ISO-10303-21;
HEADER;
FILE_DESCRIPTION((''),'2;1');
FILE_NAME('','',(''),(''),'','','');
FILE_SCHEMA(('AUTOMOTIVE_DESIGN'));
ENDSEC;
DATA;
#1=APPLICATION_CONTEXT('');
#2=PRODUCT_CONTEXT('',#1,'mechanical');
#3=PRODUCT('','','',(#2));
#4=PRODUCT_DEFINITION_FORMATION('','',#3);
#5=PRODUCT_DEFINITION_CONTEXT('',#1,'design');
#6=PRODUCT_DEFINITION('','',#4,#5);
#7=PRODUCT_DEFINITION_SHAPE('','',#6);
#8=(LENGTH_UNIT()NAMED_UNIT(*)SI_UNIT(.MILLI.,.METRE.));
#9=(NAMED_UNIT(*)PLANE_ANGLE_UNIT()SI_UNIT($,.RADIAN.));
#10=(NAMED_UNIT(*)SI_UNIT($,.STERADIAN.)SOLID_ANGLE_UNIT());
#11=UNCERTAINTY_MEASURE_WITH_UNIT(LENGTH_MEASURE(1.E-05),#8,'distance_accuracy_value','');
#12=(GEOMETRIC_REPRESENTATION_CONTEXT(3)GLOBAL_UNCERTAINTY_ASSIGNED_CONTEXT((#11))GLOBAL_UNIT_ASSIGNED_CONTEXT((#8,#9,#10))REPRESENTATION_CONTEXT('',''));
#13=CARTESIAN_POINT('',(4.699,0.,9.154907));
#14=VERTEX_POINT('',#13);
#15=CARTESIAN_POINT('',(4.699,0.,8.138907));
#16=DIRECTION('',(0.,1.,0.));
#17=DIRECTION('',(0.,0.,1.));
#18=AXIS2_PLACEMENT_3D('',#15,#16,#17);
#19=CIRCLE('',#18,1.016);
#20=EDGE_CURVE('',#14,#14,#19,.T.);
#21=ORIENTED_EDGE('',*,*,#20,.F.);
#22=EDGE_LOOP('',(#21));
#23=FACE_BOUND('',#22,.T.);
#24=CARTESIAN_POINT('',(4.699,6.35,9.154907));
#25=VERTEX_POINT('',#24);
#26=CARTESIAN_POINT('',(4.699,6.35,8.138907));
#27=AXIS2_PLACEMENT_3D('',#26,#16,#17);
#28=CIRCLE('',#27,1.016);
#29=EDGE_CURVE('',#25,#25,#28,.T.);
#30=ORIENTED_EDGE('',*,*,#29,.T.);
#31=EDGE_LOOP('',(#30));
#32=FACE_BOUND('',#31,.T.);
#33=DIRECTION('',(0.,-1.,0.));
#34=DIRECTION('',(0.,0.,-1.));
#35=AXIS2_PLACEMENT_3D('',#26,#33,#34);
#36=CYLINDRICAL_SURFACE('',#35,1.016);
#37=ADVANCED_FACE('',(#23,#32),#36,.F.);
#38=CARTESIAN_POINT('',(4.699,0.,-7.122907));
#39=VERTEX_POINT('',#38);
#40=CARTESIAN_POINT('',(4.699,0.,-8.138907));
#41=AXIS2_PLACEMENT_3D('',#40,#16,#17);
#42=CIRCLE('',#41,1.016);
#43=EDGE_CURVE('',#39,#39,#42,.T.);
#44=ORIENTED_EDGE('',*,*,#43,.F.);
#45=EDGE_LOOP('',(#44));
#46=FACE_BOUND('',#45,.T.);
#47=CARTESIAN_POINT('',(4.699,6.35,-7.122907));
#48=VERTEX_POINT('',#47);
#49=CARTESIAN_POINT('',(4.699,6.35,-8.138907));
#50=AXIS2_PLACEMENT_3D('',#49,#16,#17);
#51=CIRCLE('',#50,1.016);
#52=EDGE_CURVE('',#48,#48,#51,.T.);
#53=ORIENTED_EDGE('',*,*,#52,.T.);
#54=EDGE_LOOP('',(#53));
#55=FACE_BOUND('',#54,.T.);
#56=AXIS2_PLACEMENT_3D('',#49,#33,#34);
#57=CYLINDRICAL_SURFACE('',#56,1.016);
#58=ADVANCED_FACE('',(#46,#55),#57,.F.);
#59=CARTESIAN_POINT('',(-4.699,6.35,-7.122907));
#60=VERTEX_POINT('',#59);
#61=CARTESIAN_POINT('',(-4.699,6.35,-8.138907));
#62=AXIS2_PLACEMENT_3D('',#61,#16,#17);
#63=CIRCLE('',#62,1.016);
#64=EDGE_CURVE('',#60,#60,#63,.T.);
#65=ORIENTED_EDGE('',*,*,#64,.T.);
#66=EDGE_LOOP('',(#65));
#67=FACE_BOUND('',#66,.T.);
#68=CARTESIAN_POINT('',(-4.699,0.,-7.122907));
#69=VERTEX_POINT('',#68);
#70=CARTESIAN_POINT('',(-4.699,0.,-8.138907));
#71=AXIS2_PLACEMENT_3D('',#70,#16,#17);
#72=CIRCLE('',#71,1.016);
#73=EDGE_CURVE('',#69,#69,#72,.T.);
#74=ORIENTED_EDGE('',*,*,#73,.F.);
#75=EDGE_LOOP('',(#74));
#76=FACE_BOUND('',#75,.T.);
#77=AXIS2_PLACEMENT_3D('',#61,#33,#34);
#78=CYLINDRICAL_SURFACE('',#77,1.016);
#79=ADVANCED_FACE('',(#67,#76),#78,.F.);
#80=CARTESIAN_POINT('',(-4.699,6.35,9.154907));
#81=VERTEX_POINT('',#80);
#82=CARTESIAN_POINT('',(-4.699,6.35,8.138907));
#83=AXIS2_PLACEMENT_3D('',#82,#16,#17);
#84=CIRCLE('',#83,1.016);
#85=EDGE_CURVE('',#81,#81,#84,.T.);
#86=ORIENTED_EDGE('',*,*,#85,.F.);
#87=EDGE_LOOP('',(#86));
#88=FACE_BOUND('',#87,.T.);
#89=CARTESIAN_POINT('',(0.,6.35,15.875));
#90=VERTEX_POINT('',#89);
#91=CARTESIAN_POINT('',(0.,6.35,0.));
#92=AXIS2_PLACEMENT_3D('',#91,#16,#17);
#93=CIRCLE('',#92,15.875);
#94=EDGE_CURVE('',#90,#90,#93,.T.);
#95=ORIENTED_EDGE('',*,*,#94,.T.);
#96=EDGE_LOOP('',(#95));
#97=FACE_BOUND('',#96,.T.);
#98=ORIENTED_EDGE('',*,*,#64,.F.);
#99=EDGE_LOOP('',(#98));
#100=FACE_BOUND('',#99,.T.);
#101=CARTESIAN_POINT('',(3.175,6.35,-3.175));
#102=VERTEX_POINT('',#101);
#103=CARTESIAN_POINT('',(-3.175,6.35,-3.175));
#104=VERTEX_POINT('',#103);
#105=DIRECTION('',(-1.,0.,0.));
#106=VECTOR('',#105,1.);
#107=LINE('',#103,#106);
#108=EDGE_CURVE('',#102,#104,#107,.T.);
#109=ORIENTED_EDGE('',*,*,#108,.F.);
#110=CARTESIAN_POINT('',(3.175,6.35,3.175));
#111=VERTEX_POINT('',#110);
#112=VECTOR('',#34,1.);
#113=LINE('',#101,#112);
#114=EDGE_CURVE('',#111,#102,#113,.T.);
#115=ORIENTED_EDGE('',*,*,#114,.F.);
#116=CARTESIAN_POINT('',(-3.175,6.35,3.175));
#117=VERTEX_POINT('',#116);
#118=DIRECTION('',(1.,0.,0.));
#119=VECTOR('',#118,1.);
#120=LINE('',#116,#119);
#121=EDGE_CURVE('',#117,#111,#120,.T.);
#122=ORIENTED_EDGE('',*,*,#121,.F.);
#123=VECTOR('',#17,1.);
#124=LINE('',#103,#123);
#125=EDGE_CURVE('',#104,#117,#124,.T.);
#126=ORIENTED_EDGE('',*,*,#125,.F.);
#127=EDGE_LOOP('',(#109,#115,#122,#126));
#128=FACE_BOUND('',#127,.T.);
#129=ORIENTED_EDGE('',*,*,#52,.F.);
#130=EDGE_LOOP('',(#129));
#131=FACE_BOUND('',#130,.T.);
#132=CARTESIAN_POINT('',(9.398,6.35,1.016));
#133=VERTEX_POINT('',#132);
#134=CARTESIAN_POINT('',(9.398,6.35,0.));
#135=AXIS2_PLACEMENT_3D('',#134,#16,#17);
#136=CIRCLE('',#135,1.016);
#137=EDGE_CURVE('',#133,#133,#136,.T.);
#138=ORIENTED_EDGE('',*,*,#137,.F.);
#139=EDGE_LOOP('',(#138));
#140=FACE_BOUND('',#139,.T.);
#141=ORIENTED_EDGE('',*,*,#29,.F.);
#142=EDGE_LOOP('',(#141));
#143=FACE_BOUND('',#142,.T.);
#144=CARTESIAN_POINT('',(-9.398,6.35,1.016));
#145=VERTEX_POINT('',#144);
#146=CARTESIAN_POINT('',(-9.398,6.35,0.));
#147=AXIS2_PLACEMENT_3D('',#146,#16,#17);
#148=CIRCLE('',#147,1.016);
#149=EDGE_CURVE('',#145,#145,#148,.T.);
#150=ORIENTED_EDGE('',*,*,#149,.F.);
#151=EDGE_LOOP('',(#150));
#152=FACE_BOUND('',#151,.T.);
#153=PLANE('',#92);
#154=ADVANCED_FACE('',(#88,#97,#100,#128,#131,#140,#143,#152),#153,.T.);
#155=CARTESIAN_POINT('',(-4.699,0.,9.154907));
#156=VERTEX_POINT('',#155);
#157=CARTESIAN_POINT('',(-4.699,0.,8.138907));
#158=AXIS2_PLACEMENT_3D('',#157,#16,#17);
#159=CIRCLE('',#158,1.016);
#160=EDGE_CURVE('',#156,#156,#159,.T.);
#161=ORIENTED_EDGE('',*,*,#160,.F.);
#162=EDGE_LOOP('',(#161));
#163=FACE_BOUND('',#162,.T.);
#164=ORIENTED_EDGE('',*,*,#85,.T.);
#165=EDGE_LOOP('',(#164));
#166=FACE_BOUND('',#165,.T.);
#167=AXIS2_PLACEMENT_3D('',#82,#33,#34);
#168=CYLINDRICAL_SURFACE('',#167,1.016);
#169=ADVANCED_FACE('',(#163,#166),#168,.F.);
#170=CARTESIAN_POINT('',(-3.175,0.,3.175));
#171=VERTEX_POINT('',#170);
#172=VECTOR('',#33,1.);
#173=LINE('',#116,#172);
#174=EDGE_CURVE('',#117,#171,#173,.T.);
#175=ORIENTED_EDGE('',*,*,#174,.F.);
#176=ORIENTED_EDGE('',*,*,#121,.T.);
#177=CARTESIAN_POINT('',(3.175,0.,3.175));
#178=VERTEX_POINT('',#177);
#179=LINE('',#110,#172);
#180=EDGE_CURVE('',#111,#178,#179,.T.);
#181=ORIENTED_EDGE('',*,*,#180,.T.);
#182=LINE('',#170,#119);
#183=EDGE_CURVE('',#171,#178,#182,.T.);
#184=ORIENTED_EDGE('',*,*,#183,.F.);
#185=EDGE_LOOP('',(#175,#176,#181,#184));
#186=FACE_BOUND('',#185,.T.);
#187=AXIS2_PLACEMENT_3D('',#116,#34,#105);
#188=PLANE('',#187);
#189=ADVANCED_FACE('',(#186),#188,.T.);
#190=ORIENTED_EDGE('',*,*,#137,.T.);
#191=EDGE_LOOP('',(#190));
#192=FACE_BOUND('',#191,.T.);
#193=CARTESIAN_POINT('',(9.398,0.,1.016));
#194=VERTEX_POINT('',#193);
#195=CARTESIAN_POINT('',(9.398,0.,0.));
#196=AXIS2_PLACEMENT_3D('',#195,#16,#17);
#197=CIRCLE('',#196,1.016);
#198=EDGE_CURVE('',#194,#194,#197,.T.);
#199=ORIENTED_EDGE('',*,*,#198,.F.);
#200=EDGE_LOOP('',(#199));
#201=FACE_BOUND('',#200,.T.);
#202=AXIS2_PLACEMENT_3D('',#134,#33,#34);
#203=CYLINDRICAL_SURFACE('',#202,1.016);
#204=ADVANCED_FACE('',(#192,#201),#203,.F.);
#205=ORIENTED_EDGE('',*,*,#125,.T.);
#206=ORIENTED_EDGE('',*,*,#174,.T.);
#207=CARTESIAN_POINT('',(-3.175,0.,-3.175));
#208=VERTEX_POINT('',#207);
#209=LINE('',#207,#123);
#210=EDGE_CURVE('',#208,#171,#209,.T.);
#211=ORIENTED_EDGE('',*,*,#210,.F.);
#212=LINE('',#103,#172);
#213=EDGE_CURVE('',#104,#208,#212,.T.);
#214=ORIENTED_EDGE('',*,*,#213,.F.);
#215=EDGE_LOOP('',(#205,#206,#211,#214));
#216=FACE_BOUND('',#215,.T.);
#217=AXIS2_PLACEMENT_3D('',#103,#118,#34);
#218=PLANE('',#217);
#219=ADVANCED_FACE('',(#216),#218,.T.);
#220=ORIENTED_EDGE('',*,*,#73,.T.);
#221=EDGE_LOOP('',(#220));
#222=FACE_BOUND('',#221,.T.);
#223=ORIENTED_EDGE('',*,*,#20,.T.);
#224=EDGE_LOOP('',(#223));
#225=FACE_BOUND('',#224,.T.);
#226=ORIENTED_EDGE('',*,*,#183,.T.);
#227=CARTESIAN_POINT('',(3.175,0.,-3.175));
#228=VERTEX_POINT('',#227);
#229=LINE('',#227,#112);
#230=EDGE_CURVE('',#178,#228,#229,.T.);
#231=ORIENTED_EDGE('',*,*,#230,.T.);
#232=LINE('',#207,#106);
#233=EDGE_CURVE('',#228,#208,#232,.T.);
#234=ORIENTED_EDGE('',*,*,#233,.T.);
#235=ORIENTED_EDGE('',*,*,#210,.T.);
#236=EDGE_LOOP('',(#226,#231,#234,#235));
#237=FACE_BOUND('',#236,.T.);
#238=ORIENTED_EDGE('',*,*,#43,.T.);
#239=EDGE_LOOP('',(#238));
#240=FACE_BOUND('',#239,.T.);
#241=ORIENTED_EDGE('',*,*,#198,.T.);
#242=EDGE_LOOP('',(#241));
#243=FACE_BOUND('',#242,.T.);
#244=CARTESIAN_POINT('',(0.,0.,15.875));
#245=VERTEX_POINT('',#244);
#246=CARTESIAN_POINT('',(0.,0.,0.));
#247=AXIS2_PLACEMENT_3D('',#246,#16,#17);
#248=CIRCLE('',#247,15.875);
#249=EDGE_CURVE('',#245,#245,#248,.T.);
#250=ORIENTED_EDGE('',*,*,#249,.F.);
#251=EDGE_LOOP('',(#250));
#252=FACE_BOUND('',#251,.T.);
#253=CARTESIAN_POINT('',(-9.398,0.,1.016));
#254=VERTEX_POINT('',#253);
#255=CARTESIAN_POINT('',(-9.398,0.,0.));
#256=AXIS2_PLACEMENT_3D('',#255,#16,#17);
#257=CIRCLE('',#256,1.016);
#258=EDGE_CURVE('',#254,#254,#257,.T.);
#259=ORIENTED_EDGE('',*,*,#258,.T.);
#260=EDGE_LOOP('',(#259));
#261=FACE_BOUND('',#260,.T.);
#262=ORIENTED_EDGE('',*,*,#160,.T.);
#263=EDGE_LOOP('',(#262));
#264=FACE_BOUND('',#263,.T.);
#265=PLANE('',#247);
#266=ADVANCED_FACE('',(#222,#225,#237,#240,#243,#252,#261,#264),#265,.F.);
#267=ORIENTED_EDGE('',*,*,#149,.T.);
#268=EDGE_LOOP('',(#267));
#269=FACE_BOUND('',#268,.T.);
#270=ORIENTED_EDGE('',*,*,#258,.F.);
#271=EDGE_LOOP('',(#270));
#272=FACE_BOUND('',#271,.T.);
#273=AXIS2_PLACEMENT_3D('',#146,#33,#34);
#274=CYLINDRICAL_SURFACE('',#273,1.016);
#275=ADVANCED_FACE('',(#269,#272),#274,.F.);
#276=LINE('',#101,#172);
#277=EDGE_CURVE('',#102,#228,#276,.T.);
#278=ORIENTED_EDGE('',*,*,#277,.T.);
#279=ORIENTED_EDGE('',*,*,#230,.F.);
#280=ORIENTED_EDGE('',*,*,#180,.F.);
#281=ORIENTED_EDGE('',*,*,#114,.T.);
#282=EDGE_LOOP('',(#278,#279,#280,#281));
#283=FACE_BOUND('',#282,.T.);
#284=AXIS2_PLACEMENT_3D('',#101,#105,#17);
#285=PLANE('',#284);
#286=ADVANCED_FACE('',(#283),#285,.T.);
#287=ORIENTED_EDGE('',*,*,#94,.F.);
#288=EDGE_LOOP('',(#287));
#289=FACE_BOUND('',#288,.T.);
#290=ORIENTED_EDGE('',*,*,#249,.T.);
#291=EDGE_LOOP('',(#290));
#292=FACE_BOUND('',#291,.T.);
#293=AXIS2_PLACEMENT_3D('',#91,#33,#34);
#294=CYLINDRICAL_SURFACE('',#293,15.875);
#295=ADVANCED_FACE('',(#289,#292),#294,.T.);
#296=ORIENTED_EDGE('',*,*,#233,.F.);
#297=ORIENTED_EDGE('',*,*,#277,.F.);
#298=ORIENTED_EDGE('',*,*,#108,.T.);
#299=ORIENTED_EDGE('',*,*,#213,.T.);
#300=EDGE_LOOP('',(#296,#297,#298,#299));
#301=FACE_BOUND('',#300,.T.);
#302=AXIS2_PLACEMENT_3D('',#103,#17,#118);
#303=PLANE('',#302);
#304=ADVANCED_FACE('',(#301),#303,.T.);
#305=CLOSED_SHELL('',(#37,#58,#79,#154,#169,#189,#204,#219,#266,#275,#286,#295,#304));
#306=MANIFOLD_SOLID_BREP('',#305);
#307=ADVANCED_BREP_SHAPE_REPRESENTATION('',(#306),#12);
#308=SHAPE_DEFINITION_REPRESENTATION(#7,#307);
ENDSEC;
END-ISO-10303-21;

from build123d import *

# Parameters (mm, degrees)
ELEVATOR_SUPPORT_PULLEYS_R   = 15.875
ELEVATOR_SUPPORT_PULLEYS_R_2 = 1.016
ELEVATOR_SUPPORT_PULLEYS_W   = 6.35
ELEVATOR_SUPPORT_PULLEYS_H   = 6.35
BOSS_EXTRUDE1_DEPTH          = 6.35


with BuildPart() as part:
    # Elevator Support Pulleys → Boss-Extrude1 (new body)
    with BuildSketch(Plane(origin=(0, 0, 0), x_dir=(1, 0, 0), z_dir=(0, 1, 0))):
        with Locations(Location((0, 0, 0), (0, 0, 270))):
            Circle(ELEVATOR_SUPPORT_PULLEYS_R)
        with Locations(Location((9.398, 0, 0), (0, 0, 270))):
            Circle(ELEVATOR_SUPPORT_PULLEYS_R_2, mode=Mode.SUBTRACT)
        with Locations(Location((4.699, -8.138906745, 0), (0, 0, 270))):
            Circle(ELEVATOR_SUPPORT_PULLEYS_R_2, mode=Mode.SUBTRACT)
        with Locations(Location((-4.699, -8.138906745, 0), (0, 0, 270))):
            Circle(ELEVATOR_SUPPORT_PULLEYS_R_2, mode=Mode.SUBTRACT)
        with Locations(Location((-9.398, 0, 0), (0, 0, 270))):
            Circle(ELEVATOR_SUPPORT_PULLEYS_R_2, mode=Mode.SUBTRACT)
        with Locations(Location((-4.699, 8.138906745, 0), (0, 0, 270))):
            Circle(ELEVATOR_SUPPORT_PULLEYS_R_2, mode=Mode.SUBTRACT)
        with Locations(Location((4.699, 8.138906745, 0), (0, 0, 270))):
            Circle(ELEVATOR_SUPPORT_PULLEYS_R_2, mode=Mode.SUBTRACT)
        Rectangle(ELEVATOR_SUPPORT_PULLEYS_W, ELEVATOR_SUPPORT_PULLEYS_H, mode=Mode.SUBTRACT)
    extrude(amount=BOSS_EXTRUDE1_DEPTH)


solid = part.part
